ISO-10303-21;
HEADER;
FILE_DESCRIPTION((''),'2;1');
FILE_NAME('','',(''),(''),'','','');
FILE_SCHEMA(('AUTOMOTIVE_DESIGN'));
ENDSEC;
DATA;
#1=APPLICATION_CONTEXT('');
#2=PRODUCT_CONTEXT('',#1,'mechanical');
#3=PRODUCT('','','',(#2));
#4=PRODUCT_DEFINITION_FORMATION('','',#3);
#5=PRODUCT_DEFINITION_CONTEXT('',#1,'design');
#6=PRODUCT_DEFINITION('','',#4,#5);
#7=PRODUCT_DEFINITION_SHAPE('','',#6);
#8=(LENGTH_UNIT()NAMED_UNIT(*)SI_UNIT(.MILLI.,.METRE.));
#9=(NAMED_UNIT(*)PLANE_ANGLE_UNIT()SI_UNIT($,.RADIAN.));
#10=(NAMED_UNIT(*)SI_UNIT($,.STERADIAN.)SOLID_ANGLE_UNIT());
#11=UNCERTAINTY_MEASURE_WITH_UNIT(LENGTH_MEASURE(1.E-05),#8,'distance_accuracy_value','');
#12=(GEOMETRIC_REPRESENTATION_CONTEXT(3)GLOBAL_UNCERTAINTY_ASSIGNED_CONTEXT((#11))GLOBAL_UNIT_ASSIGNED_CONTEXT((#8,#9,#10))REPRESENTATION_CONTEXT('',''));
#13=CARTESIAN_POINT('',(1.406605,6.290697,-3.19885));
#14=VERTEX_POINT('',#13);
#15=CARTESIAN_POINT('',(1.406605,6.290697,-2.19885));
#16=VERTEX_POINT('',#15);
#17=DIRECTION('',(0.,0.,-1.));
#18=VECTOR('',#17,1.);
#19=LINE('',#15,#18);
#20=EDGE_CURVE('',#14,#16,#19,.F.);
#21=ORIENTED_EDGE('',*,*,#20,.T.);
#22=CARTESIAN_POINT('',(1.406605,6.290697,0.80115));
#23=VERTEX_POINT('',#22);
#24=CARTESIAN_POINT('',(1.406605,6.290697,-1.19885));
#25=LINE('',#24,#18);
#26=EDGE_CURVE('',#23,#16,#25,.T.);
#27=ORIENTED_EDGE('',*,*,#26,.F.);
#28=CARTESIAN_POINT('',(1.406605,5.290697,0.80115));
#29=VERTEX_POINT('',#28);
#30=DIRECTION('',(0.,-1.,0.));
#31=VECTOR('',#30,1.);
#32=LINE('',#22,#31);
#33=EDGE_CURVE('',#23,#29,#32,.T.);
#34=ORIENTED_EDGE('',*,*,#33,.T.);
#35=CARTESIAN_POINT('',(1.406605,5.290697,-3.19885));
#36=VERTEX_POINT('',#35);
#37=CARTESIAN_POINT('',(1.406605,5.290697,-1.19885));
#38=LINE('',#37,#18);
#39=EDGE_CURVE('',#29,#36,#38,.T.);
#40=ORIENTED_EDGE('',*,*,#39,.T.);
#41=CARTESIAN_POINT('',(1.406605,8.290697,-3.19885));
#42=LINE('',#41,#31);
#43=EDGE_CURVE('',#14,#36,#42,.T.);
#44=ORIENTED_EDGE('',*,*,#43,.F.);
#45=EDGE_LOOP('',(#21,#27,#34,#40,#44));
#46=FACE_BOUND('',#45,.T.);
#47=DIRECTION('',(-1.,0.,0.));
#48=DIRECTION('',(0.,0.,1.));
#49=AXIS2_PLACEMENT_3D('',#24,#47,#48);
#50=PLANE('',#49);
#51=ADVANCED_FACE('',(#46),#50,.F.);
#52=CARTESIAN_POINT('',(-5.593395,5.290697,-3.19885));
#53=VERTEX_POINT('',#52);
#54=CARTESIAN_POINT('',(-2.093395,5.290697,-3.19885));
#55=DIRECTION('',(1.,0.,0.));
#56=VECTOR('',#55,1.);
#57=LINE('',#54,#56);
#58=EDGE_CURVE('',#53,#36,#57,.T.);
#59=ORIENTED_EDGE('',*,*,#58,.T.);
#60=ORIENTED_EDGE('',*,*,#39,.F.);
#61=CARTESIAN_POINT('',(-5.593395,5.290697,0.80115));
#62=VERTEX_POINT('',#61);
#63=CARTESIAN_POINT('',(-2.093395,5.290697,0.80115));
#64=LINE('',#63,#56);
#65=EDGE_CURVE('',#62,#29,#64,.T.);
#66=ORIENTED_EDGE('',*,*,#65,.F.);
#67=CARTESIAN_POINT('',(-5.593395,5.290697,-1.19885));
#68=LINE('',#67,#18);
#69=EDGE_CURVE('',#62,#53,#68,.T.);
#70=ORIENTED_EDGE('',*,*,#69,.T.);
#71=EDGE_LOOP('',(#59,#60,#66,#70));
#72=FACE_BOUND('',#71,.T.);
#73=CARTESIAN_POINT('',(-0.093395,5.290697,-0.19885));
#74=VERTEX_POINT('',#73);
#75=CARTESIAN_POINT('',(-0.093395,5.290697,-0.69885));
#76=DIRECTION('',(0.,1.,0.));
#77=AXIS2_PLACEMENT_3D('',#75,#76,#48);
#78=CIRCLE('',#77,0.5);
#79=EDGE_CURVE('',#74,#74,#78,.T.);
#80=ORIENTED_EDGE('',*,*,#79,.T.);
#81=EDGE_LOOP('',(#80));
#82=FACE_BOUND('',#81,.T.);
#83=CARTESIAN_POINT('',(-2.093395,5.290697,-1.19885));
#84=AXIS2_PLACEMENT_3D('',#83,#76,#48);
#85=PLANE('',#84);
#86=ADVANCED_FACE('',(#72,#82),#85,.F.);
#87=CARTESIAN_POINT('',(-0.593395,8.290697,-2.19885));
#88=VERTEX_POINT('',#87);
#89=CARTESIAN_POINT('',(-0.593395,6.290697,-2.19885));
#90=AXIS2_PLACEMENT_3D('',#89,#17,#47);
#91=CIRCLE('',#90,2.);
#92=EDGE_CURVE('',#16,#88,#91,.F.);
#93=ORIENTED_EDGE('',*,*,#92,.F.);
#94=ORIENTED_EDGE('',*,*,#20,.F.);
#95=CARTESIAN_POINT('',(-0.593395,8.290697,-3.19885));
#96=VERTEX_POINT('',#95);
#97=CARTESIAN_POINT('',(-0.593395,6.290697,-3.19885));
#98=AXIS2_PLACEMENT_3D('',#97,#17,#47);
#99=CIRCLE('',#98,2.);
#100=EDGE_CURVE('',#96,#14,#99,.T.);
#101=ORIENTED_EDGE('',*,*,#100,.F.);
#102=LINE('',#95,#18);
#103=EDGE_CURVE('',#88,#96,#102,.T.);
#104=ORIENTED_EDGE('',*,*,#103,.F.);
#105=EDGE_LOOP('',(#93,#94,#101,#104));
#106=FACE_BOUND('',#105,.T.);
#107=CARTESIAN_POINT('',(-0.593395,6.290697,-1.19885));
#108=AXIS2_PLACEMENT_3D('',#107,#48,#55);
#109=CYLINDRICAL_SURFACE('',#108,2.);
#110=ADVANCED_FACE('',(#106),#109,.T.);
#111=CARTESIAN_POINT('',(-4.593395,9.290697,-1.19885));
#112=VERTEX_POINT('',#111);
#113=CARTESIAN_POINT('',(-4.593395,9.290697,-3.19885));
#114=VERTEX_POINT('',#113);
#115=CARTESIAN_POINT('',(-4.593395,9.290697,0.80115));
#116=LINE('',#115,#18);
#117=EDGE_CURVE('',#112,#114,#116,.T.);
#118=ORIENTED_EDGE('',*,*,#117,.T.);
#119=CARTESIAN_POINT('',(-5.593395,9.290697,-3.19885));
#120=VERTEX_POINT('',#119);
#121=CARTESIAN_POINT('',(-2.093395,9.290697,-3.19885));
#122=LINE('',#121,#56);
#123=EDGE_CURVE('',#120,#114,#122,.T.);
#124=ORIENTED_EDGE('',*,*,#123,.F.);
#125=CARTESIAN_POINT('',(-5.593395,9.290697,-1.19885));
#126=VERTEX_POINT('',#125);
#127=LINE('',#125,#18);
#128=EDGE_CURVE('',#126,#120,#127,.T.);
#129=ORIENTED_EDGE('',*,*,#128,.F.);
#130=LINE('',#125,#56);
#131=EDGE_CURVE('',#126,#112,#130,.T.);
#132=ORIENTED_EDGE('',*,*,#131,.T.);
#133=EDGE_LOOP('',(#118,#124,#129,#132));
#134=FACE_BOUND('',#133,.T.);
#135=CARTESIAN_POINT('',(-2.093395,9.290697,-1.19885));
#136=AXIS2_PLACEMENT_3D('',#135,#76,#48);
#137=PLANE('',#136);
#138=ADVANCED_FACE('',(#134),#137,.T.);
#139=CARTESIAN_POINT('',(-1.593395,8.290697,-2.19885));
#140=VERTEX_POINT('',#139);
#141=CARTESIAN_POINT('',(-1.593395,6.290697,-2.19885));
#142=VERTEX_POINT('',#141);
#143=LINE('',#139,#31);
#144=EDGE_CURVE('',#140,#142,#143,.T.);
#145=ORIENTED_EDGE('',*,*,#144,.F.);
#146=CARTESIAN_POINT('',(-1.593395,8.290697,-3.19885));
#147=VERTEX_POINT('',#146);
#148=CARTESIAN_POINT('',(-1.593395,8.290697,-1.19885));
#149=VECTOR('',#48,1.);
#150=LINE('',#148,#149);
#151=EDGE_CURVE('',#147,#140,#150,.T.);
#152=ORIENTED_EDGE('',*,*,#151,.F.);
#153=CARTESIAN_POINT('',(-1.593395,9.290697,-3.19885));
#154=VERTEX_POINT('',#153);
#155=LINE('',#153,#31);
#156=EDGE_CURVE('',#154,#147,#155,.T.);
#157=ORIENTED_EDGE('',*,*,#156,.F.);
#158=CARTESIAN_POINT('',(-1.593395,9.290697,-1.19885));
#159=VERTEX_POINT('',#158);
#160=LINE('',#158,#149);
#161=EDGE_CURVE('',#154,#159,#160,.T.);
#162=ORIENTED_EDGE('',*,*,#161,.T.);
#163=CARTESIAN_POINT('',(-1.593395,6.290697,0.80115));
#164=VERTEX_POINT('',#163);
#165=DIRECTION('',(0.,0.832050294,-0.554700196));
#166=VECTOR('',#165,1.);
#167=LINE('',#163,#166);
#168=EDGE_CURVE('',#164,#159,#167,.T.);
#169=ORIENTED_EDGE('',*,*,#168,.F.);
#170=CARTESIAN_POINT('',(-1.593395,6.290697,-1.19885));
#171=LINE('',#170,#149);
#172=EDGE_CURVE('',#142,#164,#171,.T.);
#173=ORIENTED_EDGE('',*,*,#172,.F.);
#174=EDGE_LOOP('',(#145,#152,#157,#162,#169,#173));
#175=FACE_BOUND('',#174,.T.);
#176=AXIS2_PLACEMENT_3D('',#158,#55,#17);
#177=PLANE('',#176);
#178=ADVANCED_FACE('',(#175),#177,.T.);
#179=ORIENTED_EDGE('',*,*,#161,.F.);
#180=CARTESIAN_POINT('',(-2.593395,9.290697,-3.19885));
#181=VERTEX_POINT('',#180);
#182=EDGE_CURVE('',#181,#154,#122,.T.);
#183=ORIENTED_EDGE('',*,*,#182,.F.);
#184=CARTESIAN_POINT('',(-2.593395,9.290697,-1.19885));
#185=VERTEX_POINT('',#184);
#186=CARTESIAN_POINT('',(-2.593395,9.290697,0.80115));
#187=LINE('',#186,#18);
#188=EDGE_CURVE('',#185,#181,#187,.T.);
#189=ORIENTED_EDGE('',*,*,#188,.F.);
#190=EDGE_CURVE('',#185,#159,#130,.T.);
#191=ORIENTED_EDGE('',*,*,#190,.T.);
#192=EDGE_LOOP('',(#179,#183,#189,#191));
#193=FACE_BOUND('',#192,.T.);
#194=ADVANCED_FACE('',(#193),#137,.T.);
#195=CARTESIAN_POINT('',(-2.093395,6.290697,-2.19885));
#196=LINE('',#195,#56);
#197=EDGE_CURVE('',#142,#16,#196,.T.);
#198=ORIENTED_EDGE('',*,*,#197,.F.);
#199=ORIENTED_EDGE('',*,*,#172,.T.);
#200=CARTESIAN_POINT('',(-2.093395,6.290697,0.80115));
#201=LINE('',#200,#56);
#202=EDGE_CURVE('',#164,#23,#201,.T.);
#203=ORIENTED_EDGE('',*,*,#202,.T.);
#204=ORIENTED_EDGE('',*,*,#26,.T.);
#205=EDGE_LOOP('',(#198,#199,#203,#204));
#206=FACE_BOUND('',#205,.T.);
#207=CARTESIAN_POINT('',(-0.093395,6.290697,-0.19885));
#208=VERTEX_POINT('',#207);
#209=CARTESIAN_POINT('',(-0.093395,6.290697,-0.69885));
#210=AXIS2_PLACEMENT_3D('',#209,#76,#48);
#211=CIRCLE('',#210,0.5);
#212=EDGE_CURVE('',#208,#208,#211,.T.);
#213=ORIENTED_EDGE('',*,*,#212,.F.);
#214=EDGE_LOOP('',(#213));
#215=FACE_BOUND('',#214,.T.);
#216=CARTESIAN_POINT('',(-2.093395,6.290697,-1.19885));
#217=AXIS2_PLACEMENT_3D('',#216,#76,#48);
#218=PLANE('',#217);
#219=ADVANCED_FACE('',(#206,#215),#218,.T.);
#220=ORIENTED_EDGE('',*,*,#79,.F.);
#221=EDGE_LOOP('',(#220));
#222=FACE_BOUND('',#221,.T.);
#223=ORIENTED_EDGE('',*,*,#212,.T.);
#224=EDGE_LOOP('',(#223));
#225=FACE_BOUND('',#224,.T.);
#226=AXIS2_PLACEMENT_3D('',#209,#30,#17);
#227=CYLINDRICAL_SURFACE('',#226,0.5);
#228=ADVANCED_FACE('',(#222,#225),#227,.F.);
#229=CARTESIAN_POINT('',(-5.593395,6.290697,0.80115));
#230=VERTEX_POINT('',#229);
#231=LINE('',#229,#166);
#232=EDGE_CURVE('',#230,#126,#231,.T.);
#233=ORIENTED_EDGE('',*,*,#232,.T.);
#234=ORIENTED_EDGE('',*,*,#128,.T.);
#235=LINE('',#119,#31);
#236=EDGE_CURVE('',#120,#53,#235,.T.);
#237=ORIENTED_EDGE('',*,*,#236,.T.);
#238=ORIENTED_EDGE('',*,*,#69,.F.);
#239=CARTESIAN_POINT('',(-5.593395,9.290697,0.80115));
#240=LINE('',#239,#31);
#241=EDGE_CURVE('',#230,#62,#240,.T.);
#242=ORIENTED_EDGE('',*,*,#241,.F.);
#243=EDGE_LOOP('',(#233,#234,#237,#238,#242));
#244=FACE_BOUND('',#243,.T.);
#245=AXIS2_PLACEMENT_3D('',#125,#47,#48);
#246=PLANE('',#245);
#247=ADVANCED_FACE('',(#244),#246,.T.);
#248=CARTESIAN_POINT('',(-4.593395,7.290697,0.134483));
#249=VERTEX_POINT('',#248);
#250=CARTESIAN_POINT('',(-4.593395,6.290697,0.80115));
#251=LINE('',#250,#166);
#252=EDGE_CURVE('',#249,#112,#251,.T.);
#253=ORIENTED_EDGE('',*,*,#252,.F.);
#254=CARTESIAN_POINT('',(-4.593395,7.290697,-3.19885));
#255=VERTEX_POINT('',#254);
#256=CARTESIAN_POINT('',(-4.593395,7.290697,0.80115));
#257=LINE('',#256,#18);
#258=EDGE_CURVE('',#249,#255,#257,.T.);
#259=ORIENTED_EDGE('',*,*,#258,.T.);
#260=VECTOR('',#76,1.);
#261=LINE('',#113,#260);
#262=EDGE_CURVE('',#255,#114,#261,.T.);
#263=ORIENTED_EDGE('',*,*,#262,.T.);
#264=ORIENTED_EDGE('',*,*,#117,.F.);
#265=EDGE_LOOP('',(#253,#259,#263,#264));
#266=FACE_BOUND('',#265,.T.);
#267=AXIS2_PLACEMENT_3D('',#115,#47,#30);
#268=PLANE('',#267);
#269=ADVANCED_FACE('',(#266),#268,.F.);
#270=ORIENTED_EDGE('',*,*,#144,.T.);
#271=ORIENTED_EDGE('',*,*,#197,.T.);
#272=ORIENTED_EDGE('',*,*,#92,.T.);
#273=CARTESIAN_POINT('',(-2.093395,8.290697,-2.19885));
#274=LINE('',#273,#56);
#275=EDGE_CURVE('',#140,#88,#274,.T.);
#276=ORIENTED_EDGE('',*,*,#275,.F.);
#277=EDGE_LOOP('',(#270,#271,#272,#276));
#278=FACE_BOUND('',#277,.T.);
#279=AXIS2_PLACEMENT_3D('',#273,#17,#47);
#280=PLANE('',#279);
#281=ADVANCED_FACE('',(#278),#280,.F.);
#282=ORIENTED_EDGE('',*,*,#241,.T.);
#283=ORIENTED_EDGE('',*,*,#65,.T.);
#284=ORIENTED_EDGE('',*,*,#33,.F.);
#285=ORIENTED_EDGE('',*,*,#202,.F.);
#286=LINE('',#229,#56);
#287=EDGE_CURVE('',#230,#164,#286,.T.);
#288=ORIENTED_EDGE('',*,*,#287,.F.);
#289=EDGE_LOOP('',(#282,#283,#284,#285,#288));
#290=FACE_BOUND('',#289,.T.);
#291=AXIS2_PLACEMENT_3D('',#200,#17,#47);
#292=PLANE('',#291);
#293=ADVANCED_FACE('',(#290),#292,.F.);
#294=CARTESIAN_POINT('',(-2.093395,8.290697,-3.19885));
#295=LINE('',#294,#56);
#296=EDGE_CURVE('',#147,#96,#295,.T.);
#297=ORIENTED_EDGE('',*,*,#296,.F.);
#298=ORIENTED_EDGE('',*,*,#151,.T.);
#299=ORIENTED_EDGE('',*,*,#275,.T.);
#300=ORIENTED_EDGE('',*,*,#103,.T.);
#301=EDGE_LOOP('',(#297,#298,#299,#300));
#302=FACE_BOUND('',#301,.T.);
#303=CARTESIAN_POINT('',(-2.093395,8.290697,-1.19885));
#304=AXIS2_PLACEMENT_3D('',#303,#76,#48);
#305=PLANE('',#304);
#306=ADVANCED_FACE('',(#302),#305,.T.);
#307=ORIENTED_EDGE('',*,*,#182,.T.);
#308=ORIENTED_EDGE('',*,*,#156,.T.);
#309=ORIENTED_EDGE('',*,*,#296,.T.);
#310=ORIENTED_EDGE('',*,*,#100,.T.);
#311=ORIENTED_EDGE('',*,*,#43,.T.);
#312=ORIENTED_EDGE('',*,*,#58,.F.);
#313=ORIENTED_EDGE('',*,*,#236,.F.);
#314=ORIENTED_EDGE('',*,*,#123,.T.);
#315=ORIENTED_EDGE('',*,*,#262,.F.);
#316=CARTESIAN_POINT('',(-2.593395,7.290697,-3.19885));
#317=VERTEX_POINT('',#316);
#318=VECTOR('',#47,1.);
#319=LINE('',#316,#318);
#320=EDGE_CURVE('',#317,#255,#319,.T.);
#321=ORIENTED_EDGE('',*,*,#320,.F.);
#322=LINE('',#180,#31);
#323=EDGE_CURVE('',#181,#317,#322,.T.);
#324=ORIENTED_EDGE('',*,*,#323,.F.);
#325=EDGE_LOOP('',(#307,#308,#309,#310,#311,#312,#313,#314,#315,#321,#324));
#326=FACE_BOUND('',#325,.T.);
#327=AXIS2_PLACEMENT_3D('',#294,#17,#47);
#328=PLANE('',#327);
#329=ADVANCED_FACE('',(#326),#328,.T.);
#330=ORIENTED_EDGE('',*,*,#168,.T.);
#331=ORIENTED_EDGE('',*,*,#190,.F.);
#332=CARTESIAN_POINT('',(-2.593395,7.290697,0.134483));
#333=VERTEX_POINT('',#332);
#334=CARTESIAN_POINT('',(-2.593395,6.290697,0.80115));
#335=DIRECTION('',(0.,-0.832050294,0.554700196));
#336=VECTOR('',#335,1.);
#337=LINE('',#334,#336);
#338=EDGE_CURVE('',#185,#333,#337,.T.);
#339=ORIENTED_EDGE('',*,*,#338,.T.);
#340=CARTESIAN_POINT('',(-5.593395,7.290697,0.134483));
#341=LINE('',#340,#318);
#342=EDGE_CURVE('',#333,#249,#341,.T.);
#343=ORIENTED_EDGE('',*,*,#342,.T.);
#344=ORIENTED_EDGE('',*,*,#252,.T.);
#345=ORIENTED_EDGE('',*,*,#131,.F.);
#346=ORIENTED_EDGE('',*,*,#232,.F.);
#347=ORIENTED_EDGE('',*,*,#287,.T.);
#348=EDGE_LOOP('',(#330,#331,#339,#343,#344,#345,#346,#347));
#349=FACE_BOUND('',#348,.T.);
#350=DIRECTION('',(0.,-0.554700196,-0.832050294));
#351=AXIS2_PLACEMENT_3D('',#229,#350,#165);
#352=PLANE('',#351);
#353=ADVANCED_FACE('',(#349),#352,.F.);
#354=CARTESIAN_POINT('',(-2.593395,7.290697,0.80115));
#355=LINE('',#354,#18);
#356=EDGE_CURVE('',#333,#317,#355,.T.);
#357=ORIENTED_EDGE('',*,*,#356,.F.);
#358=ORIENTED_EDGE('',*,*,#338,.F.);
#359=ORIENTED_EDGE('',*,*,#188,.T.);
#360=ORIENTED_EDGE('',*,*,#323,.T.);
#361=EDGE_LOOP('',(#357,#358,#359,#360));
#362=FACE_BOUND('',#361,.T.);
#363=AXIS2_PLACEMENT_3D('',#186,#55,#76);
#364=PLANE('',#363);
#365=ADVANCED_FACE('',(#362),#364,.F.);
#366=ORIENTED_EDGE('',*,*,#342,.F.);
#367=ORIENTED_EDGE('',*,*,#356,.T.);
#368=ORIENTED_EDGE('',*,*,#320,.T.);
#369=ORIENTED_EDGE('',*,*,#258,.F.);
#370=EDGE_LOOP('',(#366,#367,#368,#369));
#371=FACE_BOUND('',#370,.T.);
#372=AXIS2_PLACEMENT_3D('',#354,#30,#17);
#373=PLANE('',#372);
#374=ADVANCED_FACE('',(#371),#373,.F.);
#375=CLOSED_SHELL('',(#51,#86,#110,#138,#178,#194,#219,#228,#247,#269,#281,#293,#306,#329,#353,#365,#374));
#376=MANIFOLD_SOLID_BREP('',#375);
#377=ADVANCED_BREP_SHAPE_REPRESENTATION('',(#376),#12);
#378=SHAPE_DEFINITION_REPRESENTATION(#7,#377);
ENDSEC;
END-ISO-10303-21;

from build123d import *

# Parameters (mm, degrees)
SKETCH_1_W          = 15
SKETCH_1_H          = 15
SKETCH_1_R          = 2.5
EXTRUDE_1_DEPTH     = 5
SKETCH_1_3_W        = 15
SKETCH_1_3_H        = 5
EXTRUDE_2_DEPTH     = 15
EXTRUDE_3_DEPTH     = 20
CUT_EXTRUDE_1_DEPTH = 20
SKETCH_3_W          = 10
SKETCH_3_H          = 10
CUT_EXTRUDE_2_DEPTH = 20
FILLET_1_R          = 10
SCALE_1_SCALE       = 0.2


with BuildPart() as part:
    # 草圖1 → 填料-伸長1 (new body)
    with BuildSketch(Plane(origin=(0, 0, 0), x_dir=(1, 0, 0), z_dir=(0, 1, 0))):
        with Locations((10, -2.5)):
            Rectangle(SKETCH_1_W, SKETCH_1_H)
        with Locations((10, -2.5)):
            Circle(SKETCH_1_R, mode=Mode.SUBTRACT)
    extrude(amount=EXTRUDE_1_DEPTH)

    # 草圖1<3> → 填料-伸長2 (add)
    with BuildSketch(Plane(origin=(0, 0, 0), x_dir=(1, 0, 0), z_dir=(0, 1, 0))):
        with Locations((10, 7.5)):
            Rectangle(SKETCH_1_3_W, SKETCH_1_3_H)
    extrude(amount=EXTRUDE_2_DEPTH)

    # 草圖1<4> → 填料-伸長3 (add)
    with BuildSketch(Plane(origin=(0, 0, 0), x_dir=(1, 0, 0), z_dir=(0, 1, 0))):
        Polygon((-17.5, 10), (-17.5, -10), (2.5, -10), (2.5, 5), (2.5, 10), align=None)
    extrude(amount=EXTRUDE_3_DEPTH)

    # 草圖2 → 除料-伸長1 (cut)
    with BuildSketch(Plane(origin=(2.5, 0, 0), x_dir=(0, 0, -1), z_dir=(1, 0, 0))):
        Polygon((-10, 5), (0, 20), (-10, 20), align=None)
    extrude(amount=-CUT_EXTRUDE_1_DEPTH, mode=Mode.SUBTRACT)

    # 草圖3 → 除料-伸長2 (cut)
    with BuildSketch(Plane(origin=(0, 0, -10), x_dir=(-1, 0, 0), z_dir=(0, 0, -1))):
        with Locations((7.5, 15)):
            Rectangle(SKETCH_3_W, SKETCH_3_H)
    extrude(amount=-CUT_EXTRUDE_2_DEPTH, mode=Mode.SUBTRACT)

    # 圓角1
    fillet_1_edges = [part.edges().sort_by_distance(p)[0] for p in [
        (17.5, 15, -7.5),
    ]]
    fillet(fillet_1_edges, radius=FILLET_1_R)


with BuildPart() as part_1:
    # 縮放比例1: scaled about (-2.616743612, 6.613370919, -1.498562555)
    add(part.part.scale(SCALE_1_SCALE).moved(Location((-2.09339489, 5.290696735, -1.198850044))))


solid = part_1.part
